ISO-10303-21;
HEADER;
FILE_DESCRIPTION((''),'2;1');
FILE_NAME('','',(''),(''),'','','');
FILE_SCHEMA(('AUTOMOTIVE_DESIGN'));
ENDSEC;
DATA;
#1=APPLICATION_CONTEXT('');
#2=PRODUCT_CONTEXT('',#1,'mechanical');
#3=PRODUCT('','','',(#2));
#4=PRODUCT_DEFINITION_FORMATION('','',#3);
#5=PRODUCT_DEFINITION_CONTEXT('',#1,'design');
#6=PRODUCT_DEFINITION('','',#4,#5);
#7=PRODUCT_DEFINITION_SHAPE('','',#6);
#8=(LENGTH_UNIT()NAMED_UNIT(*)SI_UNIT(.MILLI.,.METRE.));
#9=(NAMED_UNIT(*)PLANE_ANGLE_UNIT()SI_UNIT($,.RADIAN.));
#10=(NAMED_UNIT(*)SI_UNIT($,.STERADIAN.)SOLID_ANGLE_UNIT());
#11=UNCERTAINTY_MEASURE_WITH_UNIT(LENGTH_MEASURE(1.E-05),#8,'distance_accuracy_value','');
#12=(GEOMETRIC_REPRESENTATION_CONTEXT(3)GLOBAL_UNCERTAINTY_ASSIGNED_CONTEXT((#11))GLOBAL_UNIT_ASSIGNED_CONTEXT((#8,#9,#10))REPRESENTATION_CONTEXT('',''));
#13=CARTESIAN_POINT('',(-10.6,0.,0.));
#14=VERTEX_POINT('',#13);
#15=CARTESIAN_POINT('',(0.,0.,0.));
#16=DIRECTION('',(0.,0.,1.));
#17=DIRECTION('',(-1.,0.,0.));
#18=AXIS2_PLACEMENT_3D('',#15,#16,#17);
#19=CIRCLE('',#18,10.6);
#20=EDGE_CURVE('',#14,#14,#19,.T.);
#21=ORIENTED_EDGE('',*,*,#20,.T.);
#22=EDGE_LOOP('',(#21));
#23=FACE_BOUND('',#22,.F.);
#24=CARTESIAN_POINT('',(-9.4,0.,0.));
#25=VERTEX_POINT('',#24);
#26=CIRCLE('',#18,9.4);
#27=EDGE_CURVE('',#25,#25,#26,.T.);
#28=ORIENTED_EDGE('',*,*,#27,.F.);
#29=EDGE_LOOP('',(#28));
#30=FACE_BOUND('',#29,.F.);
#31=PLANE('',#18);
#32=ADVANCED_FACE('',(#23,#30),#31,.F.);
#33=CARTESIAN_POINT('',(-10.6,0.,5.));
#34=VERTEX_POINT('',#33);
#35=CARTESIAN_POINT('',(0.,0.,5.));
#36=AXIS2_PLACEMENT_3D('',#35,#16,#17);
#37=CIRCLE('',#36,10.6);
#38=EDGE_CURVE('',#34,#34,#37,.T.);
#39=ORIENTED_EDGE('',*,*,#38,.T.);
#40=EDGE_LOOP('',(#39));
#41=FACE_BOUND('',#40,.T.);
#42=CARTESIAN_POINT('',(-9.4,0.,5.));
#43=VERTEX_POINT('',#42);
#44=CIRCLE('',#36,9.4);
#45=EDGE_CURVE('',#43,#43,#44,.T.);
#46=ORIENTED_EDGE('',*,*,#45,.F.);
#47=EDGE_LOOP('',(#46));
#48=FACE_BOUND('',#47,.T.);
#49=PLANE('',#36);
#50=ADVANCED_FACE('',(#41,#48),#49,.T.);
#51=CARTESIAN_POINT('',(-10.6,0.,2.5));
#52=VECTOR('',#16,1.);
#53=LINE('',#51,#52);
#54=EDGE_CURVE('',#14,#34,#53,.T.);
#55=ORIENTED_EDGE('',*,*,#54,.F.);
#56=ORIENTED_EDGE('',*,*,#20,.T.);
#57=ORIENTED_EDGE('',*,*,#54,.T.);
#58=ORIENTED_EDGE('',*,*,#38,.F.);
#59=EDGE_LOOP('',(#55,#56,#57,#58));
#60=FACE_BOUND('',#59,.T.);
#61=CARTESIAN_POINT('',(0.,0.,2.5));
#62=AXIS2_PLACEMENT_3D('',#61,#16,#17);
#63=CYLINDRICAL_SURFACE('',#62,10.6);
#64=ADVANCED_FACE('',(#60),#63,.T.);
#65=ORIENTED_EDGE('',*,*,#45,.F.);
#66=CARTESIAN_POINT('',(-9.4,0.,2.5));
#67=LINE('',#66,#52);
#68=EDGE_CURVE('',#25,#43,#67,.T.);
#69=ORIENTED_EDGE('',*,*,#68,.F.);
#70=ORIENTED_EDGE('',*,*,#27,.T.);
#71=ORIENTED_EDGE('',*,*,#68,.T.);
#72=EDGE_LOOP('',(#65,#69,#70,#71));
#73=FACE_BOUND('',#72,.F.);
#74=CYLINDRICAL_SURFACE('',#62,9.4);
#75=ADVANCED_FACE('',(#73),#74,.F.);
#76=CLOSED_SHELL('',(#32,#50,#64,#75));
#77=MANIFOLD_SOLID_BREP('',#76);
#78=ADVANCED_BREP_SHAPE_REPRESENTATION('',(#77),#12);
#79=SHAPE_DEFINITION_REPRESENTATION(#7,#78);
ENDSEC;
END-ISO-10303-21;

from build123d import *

# Parameters (mm, degrees)
SKETCH_W = 1.2
SKETCH_H = 5


with BuildPart() as part:
    # Sketch → Revolution (revolve)
    with BuildSketch(Plane.XZ):
        with Locations((-10, 2.5)):
            Rectangle(SKETCH_W, SKETCH_H)
    revolve(axis=Axis((0, 0, 0), (0, 0, 1)))


solid = part.part
